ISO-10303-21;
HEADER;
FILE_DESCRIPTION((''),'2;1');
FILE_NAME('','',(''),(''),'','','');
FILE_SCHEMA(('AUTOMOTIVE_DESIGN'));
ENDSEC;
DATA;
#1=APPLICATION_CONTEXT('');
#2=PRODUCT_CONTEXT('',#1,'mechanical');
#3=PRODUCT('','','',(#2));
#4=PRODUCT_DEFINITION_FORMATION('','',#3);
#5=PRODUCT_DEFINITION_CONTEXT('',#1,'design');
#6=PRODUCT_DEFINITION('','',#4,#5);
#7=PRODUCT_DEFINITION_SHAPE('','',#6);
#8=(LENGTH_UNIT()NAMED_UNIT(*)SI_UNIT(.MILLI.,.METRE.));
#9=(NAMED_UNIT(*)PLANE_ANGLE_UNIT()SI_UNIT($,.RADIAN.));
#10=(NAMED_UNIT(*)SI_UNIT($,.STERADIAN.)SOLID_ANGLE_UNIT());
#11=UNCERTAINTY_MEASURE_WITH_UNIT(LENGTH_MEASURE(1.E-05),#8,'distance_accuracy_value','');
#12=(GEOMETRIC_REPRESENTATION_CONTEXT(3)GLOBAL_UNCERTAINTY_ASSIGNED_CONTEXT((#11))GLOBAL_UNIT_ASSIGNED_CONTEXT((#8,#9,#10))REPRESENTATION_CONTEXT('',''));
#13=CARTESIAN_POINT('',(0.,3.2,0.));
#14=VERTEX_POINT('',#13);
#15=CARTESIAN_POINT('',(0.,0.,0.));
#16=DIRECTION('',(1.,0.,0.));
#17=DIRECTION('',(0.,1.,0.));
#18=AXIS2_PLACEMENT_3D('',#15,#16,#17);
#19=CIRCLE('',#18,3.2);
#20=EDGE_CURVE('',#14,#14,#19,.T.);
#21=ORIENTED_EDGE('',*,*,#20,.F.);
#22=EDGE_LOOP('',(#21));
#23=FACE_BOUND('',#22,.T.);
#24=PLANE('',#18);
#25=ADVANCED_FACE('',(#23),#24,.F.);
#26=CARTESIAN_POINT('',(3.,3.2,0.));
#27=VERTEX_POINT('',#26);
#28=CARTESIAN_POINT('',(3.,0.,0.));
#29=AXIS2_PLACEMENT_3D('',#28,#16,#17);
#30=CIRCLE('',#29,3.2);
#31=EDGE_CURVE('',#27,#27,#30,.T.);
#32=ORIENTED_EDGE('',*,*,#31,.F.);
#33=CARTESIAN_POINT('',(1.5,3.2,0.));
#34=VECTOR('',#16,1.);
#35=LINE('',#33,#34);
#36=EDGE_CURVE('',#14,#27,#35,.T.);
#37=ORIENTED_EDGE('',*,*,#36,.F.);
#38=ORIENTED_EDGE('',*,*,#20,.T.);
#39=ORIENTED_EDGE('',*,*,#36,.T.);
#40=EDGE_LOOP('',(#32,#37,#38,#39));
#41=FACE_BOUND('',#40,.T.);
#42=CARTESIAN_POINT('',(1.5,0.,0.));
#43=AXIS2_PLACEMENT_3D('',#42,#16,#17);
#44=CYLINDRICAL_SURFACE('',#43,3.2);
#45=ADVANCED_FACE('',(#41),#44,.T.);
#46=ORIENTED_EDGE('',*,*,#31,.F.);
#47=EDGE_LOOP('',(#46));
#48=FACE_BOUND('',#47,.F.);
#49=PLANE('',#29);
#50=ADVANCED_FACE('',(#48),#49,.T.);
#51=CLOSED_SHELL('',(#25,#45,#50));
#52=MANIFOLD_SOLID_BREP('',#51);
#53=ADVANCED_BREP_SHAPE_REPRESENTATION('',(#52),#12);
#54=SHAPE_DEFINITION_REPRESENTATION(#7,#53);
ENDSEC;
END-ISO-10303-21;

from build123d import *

# Parameters (mm, degrees)
SKETCH_W = 3
SKETCH_H = 3.2


with BuildPart() as part:
    # Sketch → Revolution (revolve)
    with BuildSketch(Plane.XY):
        with Locations((1.5, 1.6)):
            Rectangle(SKETCH_W, SKETCH_H)
    revolve(axis=Axis((0, 0, 0), (1, 0, 0)))


solid = part.part
